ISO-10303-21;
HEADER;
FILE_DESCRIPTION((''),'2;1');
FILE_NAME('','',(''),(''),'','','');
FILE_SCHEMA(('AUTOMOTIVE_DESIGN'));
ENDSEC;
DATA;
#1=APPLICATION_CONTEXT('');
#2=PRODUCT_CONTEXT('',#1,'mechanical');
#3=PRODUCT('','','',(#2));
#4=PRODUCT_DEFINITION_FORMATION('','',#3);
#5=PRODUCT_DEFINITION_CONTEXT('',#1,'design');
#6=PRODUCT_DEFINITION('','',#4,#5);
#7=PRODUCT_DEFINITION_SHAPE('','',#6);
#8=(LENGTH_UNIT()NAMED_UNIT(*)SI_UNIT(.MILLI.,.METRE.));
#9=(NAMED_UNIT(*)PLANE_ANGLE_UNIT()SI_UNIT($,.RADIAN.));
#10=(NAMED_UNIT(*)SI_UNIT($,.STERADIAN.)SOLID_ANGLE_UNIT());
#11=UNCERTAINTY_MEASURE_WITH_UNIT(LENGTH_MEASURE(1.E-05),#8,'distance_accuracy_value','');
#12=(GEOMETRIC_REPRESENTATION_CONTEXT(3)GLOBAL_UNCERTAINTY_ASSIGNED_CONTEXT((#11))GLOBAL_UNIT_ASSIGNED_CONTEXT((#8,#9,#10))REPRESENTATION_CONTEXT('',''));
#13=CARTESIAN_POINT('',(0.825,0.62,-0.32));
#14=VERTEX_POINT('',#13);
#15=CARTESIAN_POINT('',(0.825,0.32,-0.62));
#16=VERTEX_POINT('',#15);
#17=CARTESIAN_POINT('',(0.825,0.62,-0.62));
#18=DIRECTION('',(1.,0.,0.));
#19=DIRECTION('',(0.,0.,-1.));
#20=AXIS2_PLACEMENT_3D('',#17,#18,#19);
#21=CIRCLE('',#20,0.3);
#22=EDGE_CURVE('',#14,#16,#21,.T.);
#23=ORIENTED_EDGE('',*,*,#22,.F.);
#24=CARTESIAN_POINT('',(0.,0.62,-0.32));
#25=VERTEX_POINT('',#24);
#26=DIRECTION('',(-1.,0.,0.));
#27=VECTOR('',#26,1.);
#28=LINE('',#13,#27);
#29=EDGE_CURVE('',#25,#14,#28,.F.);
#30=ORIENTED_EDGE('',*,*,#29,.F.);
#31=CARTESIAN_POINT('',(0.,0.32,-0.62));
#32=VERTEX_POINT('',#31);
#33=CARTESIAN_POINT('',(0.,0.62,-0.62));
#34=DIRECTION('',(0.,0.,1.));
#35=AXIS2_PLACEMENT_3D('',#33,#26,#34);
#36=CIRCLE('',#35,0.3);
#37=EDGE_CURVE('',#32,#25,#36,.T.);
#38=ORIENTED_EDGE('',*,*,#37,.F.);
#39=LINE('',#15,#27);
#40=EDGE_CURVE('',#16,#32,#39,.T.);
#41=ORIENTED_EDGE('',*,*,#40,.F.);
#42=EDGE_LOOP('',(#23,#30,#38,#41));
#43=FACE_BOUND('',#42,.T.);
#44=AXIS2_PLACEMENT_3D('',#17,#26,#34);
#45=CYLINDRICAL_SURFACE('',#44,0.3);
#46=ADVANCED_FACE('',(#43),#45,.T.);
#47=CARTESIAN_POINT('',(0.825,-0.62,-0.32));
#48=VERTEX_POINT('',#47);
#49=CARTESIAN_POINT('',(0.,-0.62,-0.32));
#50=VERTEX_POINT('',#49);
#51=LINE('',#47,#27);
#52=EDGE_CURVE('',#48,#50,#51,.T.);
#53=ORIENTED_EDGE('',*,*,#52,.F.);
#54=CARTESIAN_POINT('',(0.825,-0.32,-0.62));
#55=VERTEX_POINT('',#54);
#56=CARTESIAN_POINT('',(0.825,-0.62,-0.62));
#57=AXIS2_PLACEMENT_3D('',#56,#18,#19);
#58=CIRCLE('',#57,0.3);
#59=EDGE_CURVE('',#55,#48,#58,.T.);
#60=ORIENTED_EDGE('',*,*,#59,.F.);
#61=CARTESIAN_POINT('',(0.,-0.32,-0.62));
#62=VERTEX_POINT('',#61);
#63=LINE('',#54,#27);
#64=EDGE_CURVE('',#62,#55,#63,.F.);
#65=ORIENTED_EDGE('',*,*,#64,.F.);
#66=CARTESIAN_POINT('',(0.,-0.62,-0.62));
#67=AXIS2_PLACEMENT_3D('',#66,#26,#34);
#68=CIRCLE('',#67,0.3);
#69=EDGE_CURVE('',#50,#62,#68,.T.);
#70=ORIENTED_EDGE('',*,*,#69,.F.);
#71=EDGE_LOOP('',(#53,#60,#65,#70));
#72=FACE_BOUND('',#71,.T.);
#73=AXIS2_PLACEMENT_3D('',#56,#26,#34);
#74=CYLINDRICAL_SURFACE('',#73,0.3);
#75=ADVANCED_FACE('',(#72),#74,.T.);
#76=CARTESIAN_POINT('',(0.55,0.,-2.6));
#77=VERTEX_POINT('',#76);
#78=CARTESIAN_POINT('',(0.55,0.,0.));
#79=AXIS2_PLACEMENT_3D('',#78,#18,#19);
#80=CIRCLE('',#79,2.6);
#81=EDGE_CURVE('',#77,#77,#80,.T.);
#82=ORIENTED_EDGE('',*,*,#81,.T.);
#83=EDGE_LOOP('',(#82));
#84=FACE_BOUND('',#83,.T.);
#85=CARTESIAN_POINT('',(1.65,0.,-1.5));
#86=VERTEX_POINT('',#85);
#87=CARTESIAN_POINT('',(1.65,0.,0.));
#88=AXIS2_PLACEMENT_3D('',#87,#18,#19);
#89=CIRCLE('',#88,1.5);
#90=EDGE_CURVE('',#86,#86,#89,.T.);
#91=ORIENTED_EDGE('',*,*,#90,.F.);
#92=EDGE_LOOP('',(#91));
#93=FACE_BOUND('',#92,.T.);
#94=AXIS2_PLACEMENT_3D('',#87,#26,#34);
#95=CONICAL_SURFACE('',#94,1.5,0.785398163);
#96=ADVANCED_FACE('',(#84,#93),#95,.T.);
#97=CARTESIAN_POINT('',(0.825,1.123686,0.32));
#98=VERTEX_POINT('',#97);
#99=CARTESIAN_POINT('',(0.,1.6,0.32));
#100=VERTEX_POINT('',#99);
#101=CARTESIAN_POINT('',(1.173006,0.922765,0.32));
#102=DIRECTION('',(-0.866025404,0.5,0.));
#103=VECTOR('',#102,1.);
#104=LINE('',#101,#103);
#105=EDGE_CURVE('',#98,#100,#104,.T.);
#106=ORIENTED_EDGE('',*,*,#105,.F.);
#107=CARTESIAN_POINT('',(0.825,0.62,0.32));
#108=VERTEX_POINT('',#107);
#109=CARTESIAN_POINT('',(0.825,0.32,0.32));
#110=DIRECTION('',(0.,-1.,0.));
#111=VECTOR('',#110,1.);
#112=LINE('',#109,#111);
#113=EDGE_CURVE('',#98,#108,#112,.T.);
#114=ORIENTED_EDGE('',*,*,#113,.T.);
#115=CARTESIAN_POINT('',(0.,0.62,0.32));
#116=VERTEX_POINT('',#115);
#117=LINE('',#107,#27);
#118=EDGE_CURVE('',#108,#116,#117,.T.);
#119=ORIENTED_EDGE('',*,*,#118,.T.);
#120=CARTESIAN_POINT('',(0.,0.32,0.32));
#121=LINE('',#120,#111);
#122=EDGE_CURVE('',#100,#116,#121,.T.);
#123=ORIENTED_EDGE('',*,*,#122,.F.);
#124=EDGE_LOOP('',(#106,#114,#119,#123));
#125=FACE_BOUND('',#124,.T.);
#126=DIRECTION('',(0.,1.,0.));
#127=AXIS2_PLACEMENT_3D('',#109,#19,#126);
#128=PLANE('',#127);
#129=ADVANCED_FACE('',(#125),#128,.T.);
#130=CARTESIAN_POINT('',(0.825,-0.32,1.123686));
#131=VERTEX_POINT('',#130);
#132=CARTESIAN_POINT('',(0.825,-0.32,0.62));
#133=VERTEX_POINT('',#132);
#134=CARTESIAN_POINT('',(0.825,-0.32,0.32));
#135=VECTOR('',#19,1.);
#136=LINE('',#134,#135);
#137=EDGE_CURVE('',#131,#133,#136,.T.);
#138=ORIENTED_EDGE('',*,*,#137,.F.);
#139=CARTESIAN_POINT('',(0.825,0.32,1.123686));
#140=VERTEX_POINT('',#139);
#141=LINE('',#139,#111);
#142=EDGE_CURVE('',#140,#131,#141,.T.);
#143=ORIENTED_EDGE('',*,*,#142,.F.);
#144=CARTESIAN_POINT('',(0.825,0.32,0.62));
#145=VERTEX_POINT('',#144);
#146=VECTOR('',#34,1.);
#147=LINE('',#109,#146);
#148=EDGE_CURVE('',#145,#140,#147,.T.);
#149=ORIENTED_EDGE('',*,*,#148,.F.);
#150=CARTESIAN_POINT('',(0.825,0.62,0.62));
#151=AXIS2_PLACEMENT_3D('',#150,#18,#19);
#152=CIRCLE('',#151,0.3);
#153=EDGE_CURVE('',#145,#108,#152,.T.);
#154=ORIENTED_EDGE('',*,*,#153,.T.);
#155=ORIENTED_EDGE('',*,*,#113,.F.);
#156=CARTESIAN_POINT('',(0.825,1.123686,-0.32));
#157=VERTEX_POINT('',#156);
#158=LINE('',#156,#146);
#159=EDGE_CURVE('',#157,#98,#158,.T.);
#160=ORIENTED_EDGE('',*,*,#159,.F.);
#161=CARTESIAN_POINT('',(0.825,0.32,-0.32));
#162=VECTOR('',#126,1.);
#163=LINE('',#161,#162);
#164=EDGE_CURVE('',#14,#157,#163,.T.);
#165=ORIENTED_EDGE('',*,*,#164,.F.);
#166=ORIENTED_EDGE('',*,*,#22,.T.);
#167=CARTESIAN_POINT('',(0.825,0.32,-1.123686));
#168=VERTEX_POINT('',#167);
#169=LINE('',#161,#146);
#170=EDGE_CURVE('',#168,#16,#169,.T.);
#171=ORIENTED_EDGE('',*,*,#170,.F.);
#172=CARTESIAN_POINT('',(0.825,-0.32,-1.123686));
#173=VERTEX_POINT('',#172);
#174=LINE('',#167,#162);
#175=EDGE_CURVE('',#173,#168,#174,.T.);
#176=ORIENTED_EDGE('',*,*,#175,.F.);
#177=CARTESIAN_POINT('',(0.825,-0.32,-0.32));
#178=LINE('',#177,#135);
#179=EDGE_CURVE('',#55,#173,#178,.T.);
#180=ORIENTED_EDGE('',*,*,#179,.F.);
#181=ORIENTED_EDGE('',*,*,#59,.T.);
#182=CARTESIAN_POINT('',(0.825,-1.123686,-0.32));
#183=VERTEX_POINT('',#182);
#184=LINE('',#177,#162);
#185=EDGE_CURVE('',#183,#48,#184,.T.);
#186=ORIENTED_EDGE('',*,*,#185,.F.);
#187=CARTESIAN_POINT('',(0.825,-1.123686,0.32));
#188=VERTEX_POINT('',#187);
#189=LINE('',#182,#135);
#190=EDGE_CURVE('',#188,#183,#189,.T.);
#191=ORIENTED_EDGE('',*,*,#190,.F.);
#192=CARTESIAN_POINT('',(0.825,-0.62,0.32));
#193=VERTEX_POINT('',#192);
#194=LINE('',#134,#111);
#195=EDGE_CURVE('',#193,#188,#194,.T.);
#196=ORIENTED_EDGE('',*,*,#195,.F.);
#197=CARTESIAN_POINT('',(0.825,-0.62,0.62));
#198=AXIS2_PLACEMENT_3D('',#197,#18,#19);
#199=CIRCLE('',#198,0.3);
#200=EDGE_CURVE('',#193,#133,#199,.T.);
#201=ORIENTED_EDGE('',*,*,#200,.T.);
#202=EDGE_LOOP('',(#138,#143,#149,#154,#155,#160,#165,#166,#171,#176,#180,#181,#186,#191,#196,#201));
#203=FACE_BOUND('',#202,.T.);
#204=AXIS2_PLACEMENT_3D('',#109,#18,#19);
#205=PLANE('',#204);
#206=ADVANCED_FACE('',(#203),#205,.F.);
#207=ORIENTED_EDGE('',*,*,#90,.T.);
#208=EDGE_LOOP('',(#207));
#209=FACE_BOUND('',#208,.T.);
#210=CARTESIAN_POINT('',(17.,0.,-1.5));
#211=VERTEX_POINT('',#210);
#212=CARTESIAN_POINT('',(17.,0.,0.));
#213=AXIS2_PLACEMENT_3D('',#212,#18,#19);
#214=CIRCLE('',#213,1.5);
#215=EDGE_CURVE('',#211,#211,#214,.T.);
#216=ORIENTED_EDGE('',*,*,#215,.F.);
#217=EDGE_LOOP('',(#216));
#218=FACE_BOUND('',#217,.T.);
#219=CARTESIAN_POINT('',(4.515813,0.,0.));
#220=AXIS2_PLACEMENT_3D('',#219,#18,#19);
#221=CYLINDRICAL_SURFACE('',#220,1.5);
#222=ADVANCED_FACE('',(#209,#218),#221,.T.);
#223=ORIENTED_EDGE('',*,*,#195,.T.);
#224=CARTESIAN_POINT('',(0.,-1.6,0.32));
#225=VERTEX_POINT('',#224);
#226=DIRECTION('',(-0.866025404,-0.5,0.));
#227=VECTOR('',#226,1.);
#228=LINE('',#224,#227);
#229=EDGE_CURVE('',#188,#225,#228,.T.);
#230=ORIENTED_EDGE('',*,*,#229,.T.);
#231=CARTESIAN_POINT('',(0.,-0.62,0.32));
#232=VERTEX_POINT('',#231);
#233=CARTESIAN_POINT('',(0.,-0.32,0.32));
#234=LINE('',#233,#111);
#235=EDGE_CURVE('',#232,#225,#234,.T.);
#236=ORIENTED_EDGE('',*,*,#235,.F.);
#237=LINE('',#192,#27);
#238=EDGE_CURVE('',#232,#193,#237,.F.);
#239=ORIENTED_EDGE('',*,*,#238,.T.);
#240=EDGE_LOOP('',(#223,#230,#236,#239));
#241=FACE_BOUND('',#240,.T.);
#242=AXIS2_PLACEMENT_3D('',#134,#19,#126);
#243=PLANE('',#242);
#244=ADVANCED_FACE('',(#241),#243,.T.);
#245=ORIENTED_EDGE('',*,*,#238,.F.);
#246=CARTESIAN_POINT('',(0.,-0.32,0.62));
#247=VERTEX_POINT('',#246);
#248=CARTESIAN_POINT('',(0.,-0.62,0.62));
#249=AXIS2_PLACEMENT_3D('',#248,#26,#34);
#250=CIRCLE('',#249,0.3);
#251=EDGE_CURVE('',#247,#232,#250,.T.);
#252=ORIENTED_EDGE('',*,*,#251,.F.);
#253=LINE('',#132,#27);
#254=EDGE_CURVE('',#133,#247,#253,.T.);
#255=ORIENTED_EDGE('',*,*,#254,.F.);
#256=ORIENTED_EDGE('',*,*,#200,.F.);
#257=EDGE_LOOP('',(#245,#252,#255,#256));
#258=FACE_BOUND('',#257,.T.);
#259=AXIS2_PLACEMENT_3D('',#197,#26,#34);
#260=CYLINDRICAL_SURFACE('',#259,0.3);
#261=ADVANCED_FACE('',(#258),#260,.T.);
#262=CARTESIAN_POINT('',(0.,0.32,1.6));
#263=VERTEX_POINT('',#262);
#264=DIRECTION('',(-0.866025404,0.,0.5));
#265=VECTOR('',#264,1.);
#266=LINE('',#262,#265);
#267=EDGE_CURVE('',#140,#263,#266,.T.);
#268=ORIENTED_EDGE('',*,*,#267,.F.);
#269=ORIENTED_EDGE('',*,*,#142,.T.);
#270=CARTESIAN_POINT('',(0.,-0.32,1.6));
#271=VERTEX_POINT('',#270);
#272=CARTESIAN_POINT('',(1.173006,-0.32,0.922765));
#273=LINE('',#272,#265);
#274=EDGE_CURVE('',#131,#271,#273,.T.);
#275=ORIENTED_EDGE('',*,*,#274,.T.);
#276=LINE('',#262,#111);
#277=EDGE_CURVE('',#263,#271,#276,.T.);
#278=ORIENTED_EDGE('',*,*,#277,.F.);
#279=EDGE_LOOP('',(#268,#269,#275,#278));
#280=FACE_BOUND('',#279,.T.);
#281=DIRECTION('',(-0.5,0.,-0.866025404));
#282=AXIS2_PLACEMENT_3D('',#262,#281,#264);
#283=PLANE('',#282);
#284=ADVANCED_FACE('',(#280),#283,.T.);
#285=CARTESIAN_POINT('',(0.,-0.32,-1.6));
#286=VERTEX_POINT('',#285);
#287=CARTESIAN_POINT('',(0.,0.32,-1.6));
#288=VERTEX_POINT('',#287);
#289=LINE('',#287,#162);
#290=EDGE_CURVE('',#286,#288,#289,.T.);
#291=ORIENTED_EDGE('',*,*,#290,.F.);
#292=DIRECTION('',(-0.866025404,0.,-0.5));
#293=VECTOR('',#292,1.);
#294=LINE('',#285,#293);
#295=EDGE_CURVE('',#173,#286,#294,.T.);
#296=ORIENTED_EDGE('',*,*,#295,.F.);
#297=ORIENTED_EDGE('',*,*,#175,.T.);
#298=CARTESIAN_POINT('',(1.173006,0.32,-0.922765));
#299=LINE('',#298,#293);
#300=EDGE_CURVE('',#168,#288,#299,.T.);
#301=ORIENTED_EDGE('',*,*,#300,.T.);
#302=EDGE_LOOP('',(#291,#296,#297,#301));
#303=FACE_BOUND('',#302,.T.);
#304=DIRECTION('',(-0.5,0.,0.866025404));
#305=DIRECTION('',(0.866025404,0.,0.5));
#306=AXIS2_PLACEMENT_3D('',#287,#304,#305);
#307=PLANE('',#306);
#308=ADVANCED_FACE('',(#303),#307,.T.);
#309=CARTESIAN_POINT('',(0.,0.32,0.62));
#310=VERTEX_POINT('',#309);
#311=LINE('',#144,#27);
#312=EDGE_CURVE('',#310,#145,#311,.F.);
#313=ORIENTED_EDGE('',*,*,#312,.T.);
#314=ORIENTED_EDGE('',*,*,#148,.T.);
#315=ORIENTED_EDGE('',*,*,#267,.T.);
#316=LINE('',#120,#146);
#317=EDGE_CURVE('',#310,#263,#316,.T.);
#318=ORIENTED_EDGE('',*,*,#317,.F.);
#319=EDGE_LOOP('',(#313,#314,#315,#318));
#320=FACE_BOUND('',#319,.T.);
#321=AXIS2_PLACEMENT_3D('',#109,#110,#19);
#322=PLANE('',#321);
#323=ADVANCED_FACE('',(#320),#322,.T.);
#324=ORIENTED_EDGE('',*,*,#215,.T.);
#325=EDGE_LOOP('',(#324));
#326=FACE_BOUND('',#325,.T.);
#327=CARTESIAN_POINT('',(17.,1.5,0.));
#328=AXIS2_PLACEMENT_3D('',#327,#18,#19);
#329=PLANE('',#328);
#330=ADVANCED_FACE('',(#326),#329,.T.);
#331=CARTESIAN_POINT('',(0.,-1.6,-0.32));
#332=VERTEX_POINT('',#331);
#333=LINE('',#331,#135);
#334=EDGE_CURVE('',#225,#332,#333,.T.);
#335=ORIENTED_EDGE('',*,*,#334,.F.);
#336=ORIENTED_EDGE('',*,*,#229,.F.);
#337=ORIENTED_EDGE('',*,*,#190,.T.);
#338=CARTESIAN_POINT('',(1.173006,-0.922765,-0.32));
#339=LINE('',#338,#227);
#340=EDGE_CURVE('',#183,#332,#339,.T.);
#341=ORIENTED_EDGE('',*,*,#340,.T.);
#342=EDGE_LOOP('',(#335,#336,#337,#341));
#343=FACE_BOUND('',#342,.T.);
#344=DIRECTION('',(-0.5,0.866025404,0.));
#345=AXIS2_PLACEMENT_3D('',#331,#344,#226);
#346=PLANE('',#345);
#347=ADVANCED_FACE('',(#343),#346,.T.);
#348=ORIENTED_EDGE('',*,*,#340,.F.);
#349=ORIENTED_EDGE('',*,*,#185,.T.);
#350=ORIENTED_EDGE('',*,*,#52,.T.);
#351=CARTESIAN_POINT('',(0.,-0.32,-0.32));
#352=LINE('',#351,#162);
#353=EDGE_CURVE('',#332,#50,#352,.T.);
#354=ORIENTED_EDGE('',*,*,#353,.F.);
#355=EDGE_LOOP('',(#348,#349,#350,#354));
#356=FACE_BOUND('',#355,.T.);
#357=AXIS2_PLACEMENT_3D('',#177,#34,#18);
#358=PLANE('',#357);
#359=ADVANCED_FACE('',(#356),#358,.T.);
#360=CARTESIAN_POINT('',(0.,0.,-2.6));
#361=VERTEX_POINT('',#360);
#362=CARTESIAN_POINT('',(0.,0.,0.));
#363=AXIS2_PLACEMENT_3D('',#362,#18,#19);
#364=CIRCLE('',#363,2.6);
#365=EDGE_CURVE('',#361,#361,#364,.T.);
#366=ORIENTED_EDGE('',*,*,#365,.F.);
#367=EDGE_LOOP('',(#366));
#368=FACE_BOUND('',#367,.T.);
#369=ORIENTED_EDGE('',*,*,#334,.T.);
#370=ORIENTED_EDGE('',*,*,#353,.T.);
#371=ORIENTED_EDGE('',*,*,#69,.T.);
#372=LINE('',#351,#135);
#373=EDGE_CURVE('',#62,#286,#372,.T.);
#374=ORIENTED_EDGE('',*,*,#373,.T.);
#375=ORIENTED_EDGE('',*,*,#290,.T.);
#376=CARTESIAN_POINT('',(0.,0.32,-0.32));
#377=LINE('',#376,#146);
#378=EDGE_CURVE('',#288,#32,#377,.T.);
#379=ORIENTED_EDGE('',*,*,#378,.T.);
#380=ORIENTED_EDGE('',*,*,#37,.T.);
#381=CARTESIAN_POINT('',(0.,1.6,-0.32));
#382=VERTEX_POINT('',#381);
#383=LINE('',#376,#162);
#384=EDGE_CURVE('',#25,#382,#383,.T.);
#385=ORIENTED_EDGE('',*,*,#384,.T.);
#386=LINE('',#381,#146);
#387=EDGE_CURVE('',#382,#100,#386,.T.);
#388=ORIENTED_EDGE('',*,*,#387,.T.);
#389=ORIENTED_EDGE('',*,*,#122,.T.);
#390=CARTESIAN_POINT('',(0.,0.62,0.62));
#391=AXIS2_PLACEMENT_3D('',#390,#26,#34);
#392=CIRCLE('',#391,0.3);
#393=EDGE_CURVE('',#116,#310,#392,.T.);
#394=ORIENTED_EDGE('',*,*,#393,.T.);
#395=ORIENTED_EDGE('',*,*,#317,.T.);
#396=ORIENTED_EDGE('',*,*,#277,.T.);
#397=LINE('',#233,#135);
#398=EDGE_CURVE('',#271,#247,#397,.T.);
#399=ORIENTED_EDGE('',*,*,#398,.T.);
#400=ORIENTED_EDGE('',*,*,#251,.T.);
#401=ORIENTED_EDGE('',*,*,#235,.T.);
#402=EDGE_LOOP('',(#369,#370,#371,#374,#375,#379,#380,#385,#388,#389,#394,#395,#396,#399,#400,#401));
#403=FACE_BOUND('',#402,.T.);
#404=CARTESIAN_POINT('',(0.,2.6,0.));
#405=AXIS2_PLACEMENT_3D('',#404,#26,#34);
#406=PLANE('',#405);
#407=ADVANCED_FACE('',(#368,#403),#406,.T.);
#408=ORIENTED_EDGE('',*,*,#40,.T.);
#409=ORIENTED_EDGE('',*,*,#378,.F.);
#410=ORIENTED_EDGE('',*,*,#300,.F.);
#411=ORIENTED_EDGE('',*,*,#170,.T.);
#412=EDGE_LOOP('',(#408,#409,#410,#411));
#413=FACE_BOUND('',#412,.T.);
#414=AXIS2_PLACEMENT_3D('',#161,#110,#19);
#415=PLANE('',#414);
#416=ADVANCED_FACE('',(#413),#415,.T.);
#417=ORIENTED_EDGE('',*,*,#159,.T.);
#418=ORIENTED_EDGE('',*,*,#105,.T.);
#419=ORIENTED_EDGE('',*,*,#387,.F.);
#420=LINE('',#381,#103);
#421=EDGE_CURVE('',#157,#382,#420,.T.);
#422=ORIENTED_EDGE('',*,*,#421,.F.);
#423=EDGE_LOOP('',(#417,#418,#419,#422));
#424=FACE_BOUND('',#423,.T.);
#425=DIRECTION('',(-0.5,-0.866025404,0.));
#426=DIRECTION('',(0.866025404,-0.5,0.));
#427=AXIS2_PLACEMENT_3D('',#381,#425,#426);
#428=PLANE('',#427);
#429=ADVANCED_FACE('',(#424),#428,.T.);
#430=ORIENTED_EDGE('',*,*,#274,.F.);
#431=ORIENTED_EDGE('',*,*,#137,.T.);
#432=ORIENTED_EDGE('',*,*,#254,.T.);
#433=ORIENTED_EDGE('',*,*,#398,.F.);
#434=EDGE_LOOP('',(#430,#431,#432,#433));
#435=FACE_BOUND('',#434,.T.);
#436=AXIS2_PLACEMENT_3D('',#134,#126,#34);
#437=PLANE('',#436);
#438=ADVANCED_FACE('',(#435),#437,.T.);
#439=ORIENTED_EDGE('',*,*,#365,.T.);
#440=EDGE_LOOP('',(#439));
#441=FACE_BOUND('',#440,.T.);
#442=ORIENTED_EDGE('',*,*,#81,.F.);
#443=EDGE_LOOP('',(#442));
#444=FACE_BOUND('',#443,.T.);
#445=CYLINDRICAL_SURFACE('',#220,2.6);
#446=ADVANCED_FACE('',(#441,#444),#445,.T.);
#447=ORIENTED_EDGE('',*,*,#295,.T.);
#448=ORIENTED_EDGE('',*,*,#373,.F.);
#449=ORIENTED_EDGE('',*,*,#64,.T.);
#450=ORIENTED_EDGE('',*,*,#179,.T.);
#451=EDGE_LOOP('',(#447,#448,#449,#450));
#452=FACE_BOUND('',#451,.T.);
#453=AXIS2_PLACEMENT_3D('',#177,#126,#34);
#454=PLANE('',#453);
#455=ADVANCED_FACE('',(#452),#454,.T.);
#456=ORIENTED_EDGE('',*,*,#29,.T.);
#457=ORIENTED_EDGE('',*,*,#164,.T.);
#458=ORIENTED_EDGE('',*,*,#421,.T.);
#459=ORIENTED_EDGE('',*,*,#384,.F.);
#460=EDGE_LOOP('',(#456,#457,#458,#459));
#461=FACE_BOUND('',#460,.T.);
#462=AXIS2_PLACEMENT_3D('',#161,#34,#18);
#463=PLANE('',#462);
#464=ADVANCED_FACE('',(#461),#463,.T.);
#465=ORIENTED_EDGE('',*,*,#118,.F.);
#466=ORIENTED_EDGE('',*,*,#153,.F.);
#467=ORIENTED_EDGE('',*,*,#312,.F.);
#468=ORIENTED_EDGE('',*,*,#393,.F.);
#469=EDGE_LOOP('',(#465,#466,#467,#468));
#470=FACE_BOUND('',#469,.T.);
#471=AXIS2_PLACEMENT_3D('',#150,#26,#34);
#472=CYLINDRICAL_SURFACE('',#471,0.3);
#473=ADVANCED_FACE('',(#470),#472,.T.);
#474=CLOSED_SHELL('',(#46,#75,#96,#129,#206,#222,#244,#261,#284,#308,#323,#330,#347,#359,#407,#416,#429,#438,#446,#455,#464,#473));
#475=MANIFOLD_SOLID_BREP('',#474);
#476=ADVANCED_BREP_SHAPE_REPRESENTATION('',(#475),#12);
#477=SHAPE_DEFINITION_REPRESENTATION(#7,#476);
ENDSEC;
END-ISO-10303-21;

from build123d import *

# Parameters (mm, degrees)
CROSSRECESS_DEPTH = 0.825
DRAFT9_ANGLE      = 30
FILLET5_R         = 0.3


with BuildPart() as part:
    # Sketch1 → Base (revolve)
    with BuildSketch(Plane.XY):
        Polygon((17, 1.5), (2.65, 1.5), (1.65, 1.5), (0.55, 2.6), (0, 2.6), (0, 0), (17, 0), align=None)
    revolve(axis=Axis((4.515812911, 0, 0), (-1, 0, 0)))

    # Sketch6 → CrossRecess (cut)
    with BuildSketch(Plane(origin=(0, 0, 0), x_dir=(0, 0, -1), z_dir=(1, 0, 0))):
        Polygon((0.32, 0.32), (0.32, 1.6), (-0.32, 1.6), (-0.32, 0.32), (-1.6, 0.32), (-1.6, -0.32), (-0.32, -0.32), (-0.32, -1.6), (0.32, -1.6), (0.32, -0.32), (1.6, -0.32), (1.6, 0.32), align=None)
    extrude(amount=CROSSRECESS_DEPTH, mode=Mode.SUBTRACT)

    # Draft9
    draft9_faces = [part.faces().sort_by_distance(p)[0] for p in [
        (0.4125, 1.6, 0),
        (0.4125, 0, 1.6),
        (0.4125, -1.6, 0),
        (0.4125, 0, -1.6),
    ]]
    draft(draft9_faces, Plane(origin=(0, 2.6, 0), x_dir=(0, 0, -1), z_dir=(-1, 0, 0)), DRAFT9_ANGLE)

    # Fillet5
    fillet5_edges = [part.edges().sort_by_distance(p)[0] for p in [
        (0.4125, 0.32, 0.32),
        (0.4125, -0.32, 0.32),
        (0.4125, -0.32, -0.32),
        (0.4125, 0.32, -0.32),
    ]]
    fillet(fillet5_edges, radius=FILLET5_R)


solid = part.part
